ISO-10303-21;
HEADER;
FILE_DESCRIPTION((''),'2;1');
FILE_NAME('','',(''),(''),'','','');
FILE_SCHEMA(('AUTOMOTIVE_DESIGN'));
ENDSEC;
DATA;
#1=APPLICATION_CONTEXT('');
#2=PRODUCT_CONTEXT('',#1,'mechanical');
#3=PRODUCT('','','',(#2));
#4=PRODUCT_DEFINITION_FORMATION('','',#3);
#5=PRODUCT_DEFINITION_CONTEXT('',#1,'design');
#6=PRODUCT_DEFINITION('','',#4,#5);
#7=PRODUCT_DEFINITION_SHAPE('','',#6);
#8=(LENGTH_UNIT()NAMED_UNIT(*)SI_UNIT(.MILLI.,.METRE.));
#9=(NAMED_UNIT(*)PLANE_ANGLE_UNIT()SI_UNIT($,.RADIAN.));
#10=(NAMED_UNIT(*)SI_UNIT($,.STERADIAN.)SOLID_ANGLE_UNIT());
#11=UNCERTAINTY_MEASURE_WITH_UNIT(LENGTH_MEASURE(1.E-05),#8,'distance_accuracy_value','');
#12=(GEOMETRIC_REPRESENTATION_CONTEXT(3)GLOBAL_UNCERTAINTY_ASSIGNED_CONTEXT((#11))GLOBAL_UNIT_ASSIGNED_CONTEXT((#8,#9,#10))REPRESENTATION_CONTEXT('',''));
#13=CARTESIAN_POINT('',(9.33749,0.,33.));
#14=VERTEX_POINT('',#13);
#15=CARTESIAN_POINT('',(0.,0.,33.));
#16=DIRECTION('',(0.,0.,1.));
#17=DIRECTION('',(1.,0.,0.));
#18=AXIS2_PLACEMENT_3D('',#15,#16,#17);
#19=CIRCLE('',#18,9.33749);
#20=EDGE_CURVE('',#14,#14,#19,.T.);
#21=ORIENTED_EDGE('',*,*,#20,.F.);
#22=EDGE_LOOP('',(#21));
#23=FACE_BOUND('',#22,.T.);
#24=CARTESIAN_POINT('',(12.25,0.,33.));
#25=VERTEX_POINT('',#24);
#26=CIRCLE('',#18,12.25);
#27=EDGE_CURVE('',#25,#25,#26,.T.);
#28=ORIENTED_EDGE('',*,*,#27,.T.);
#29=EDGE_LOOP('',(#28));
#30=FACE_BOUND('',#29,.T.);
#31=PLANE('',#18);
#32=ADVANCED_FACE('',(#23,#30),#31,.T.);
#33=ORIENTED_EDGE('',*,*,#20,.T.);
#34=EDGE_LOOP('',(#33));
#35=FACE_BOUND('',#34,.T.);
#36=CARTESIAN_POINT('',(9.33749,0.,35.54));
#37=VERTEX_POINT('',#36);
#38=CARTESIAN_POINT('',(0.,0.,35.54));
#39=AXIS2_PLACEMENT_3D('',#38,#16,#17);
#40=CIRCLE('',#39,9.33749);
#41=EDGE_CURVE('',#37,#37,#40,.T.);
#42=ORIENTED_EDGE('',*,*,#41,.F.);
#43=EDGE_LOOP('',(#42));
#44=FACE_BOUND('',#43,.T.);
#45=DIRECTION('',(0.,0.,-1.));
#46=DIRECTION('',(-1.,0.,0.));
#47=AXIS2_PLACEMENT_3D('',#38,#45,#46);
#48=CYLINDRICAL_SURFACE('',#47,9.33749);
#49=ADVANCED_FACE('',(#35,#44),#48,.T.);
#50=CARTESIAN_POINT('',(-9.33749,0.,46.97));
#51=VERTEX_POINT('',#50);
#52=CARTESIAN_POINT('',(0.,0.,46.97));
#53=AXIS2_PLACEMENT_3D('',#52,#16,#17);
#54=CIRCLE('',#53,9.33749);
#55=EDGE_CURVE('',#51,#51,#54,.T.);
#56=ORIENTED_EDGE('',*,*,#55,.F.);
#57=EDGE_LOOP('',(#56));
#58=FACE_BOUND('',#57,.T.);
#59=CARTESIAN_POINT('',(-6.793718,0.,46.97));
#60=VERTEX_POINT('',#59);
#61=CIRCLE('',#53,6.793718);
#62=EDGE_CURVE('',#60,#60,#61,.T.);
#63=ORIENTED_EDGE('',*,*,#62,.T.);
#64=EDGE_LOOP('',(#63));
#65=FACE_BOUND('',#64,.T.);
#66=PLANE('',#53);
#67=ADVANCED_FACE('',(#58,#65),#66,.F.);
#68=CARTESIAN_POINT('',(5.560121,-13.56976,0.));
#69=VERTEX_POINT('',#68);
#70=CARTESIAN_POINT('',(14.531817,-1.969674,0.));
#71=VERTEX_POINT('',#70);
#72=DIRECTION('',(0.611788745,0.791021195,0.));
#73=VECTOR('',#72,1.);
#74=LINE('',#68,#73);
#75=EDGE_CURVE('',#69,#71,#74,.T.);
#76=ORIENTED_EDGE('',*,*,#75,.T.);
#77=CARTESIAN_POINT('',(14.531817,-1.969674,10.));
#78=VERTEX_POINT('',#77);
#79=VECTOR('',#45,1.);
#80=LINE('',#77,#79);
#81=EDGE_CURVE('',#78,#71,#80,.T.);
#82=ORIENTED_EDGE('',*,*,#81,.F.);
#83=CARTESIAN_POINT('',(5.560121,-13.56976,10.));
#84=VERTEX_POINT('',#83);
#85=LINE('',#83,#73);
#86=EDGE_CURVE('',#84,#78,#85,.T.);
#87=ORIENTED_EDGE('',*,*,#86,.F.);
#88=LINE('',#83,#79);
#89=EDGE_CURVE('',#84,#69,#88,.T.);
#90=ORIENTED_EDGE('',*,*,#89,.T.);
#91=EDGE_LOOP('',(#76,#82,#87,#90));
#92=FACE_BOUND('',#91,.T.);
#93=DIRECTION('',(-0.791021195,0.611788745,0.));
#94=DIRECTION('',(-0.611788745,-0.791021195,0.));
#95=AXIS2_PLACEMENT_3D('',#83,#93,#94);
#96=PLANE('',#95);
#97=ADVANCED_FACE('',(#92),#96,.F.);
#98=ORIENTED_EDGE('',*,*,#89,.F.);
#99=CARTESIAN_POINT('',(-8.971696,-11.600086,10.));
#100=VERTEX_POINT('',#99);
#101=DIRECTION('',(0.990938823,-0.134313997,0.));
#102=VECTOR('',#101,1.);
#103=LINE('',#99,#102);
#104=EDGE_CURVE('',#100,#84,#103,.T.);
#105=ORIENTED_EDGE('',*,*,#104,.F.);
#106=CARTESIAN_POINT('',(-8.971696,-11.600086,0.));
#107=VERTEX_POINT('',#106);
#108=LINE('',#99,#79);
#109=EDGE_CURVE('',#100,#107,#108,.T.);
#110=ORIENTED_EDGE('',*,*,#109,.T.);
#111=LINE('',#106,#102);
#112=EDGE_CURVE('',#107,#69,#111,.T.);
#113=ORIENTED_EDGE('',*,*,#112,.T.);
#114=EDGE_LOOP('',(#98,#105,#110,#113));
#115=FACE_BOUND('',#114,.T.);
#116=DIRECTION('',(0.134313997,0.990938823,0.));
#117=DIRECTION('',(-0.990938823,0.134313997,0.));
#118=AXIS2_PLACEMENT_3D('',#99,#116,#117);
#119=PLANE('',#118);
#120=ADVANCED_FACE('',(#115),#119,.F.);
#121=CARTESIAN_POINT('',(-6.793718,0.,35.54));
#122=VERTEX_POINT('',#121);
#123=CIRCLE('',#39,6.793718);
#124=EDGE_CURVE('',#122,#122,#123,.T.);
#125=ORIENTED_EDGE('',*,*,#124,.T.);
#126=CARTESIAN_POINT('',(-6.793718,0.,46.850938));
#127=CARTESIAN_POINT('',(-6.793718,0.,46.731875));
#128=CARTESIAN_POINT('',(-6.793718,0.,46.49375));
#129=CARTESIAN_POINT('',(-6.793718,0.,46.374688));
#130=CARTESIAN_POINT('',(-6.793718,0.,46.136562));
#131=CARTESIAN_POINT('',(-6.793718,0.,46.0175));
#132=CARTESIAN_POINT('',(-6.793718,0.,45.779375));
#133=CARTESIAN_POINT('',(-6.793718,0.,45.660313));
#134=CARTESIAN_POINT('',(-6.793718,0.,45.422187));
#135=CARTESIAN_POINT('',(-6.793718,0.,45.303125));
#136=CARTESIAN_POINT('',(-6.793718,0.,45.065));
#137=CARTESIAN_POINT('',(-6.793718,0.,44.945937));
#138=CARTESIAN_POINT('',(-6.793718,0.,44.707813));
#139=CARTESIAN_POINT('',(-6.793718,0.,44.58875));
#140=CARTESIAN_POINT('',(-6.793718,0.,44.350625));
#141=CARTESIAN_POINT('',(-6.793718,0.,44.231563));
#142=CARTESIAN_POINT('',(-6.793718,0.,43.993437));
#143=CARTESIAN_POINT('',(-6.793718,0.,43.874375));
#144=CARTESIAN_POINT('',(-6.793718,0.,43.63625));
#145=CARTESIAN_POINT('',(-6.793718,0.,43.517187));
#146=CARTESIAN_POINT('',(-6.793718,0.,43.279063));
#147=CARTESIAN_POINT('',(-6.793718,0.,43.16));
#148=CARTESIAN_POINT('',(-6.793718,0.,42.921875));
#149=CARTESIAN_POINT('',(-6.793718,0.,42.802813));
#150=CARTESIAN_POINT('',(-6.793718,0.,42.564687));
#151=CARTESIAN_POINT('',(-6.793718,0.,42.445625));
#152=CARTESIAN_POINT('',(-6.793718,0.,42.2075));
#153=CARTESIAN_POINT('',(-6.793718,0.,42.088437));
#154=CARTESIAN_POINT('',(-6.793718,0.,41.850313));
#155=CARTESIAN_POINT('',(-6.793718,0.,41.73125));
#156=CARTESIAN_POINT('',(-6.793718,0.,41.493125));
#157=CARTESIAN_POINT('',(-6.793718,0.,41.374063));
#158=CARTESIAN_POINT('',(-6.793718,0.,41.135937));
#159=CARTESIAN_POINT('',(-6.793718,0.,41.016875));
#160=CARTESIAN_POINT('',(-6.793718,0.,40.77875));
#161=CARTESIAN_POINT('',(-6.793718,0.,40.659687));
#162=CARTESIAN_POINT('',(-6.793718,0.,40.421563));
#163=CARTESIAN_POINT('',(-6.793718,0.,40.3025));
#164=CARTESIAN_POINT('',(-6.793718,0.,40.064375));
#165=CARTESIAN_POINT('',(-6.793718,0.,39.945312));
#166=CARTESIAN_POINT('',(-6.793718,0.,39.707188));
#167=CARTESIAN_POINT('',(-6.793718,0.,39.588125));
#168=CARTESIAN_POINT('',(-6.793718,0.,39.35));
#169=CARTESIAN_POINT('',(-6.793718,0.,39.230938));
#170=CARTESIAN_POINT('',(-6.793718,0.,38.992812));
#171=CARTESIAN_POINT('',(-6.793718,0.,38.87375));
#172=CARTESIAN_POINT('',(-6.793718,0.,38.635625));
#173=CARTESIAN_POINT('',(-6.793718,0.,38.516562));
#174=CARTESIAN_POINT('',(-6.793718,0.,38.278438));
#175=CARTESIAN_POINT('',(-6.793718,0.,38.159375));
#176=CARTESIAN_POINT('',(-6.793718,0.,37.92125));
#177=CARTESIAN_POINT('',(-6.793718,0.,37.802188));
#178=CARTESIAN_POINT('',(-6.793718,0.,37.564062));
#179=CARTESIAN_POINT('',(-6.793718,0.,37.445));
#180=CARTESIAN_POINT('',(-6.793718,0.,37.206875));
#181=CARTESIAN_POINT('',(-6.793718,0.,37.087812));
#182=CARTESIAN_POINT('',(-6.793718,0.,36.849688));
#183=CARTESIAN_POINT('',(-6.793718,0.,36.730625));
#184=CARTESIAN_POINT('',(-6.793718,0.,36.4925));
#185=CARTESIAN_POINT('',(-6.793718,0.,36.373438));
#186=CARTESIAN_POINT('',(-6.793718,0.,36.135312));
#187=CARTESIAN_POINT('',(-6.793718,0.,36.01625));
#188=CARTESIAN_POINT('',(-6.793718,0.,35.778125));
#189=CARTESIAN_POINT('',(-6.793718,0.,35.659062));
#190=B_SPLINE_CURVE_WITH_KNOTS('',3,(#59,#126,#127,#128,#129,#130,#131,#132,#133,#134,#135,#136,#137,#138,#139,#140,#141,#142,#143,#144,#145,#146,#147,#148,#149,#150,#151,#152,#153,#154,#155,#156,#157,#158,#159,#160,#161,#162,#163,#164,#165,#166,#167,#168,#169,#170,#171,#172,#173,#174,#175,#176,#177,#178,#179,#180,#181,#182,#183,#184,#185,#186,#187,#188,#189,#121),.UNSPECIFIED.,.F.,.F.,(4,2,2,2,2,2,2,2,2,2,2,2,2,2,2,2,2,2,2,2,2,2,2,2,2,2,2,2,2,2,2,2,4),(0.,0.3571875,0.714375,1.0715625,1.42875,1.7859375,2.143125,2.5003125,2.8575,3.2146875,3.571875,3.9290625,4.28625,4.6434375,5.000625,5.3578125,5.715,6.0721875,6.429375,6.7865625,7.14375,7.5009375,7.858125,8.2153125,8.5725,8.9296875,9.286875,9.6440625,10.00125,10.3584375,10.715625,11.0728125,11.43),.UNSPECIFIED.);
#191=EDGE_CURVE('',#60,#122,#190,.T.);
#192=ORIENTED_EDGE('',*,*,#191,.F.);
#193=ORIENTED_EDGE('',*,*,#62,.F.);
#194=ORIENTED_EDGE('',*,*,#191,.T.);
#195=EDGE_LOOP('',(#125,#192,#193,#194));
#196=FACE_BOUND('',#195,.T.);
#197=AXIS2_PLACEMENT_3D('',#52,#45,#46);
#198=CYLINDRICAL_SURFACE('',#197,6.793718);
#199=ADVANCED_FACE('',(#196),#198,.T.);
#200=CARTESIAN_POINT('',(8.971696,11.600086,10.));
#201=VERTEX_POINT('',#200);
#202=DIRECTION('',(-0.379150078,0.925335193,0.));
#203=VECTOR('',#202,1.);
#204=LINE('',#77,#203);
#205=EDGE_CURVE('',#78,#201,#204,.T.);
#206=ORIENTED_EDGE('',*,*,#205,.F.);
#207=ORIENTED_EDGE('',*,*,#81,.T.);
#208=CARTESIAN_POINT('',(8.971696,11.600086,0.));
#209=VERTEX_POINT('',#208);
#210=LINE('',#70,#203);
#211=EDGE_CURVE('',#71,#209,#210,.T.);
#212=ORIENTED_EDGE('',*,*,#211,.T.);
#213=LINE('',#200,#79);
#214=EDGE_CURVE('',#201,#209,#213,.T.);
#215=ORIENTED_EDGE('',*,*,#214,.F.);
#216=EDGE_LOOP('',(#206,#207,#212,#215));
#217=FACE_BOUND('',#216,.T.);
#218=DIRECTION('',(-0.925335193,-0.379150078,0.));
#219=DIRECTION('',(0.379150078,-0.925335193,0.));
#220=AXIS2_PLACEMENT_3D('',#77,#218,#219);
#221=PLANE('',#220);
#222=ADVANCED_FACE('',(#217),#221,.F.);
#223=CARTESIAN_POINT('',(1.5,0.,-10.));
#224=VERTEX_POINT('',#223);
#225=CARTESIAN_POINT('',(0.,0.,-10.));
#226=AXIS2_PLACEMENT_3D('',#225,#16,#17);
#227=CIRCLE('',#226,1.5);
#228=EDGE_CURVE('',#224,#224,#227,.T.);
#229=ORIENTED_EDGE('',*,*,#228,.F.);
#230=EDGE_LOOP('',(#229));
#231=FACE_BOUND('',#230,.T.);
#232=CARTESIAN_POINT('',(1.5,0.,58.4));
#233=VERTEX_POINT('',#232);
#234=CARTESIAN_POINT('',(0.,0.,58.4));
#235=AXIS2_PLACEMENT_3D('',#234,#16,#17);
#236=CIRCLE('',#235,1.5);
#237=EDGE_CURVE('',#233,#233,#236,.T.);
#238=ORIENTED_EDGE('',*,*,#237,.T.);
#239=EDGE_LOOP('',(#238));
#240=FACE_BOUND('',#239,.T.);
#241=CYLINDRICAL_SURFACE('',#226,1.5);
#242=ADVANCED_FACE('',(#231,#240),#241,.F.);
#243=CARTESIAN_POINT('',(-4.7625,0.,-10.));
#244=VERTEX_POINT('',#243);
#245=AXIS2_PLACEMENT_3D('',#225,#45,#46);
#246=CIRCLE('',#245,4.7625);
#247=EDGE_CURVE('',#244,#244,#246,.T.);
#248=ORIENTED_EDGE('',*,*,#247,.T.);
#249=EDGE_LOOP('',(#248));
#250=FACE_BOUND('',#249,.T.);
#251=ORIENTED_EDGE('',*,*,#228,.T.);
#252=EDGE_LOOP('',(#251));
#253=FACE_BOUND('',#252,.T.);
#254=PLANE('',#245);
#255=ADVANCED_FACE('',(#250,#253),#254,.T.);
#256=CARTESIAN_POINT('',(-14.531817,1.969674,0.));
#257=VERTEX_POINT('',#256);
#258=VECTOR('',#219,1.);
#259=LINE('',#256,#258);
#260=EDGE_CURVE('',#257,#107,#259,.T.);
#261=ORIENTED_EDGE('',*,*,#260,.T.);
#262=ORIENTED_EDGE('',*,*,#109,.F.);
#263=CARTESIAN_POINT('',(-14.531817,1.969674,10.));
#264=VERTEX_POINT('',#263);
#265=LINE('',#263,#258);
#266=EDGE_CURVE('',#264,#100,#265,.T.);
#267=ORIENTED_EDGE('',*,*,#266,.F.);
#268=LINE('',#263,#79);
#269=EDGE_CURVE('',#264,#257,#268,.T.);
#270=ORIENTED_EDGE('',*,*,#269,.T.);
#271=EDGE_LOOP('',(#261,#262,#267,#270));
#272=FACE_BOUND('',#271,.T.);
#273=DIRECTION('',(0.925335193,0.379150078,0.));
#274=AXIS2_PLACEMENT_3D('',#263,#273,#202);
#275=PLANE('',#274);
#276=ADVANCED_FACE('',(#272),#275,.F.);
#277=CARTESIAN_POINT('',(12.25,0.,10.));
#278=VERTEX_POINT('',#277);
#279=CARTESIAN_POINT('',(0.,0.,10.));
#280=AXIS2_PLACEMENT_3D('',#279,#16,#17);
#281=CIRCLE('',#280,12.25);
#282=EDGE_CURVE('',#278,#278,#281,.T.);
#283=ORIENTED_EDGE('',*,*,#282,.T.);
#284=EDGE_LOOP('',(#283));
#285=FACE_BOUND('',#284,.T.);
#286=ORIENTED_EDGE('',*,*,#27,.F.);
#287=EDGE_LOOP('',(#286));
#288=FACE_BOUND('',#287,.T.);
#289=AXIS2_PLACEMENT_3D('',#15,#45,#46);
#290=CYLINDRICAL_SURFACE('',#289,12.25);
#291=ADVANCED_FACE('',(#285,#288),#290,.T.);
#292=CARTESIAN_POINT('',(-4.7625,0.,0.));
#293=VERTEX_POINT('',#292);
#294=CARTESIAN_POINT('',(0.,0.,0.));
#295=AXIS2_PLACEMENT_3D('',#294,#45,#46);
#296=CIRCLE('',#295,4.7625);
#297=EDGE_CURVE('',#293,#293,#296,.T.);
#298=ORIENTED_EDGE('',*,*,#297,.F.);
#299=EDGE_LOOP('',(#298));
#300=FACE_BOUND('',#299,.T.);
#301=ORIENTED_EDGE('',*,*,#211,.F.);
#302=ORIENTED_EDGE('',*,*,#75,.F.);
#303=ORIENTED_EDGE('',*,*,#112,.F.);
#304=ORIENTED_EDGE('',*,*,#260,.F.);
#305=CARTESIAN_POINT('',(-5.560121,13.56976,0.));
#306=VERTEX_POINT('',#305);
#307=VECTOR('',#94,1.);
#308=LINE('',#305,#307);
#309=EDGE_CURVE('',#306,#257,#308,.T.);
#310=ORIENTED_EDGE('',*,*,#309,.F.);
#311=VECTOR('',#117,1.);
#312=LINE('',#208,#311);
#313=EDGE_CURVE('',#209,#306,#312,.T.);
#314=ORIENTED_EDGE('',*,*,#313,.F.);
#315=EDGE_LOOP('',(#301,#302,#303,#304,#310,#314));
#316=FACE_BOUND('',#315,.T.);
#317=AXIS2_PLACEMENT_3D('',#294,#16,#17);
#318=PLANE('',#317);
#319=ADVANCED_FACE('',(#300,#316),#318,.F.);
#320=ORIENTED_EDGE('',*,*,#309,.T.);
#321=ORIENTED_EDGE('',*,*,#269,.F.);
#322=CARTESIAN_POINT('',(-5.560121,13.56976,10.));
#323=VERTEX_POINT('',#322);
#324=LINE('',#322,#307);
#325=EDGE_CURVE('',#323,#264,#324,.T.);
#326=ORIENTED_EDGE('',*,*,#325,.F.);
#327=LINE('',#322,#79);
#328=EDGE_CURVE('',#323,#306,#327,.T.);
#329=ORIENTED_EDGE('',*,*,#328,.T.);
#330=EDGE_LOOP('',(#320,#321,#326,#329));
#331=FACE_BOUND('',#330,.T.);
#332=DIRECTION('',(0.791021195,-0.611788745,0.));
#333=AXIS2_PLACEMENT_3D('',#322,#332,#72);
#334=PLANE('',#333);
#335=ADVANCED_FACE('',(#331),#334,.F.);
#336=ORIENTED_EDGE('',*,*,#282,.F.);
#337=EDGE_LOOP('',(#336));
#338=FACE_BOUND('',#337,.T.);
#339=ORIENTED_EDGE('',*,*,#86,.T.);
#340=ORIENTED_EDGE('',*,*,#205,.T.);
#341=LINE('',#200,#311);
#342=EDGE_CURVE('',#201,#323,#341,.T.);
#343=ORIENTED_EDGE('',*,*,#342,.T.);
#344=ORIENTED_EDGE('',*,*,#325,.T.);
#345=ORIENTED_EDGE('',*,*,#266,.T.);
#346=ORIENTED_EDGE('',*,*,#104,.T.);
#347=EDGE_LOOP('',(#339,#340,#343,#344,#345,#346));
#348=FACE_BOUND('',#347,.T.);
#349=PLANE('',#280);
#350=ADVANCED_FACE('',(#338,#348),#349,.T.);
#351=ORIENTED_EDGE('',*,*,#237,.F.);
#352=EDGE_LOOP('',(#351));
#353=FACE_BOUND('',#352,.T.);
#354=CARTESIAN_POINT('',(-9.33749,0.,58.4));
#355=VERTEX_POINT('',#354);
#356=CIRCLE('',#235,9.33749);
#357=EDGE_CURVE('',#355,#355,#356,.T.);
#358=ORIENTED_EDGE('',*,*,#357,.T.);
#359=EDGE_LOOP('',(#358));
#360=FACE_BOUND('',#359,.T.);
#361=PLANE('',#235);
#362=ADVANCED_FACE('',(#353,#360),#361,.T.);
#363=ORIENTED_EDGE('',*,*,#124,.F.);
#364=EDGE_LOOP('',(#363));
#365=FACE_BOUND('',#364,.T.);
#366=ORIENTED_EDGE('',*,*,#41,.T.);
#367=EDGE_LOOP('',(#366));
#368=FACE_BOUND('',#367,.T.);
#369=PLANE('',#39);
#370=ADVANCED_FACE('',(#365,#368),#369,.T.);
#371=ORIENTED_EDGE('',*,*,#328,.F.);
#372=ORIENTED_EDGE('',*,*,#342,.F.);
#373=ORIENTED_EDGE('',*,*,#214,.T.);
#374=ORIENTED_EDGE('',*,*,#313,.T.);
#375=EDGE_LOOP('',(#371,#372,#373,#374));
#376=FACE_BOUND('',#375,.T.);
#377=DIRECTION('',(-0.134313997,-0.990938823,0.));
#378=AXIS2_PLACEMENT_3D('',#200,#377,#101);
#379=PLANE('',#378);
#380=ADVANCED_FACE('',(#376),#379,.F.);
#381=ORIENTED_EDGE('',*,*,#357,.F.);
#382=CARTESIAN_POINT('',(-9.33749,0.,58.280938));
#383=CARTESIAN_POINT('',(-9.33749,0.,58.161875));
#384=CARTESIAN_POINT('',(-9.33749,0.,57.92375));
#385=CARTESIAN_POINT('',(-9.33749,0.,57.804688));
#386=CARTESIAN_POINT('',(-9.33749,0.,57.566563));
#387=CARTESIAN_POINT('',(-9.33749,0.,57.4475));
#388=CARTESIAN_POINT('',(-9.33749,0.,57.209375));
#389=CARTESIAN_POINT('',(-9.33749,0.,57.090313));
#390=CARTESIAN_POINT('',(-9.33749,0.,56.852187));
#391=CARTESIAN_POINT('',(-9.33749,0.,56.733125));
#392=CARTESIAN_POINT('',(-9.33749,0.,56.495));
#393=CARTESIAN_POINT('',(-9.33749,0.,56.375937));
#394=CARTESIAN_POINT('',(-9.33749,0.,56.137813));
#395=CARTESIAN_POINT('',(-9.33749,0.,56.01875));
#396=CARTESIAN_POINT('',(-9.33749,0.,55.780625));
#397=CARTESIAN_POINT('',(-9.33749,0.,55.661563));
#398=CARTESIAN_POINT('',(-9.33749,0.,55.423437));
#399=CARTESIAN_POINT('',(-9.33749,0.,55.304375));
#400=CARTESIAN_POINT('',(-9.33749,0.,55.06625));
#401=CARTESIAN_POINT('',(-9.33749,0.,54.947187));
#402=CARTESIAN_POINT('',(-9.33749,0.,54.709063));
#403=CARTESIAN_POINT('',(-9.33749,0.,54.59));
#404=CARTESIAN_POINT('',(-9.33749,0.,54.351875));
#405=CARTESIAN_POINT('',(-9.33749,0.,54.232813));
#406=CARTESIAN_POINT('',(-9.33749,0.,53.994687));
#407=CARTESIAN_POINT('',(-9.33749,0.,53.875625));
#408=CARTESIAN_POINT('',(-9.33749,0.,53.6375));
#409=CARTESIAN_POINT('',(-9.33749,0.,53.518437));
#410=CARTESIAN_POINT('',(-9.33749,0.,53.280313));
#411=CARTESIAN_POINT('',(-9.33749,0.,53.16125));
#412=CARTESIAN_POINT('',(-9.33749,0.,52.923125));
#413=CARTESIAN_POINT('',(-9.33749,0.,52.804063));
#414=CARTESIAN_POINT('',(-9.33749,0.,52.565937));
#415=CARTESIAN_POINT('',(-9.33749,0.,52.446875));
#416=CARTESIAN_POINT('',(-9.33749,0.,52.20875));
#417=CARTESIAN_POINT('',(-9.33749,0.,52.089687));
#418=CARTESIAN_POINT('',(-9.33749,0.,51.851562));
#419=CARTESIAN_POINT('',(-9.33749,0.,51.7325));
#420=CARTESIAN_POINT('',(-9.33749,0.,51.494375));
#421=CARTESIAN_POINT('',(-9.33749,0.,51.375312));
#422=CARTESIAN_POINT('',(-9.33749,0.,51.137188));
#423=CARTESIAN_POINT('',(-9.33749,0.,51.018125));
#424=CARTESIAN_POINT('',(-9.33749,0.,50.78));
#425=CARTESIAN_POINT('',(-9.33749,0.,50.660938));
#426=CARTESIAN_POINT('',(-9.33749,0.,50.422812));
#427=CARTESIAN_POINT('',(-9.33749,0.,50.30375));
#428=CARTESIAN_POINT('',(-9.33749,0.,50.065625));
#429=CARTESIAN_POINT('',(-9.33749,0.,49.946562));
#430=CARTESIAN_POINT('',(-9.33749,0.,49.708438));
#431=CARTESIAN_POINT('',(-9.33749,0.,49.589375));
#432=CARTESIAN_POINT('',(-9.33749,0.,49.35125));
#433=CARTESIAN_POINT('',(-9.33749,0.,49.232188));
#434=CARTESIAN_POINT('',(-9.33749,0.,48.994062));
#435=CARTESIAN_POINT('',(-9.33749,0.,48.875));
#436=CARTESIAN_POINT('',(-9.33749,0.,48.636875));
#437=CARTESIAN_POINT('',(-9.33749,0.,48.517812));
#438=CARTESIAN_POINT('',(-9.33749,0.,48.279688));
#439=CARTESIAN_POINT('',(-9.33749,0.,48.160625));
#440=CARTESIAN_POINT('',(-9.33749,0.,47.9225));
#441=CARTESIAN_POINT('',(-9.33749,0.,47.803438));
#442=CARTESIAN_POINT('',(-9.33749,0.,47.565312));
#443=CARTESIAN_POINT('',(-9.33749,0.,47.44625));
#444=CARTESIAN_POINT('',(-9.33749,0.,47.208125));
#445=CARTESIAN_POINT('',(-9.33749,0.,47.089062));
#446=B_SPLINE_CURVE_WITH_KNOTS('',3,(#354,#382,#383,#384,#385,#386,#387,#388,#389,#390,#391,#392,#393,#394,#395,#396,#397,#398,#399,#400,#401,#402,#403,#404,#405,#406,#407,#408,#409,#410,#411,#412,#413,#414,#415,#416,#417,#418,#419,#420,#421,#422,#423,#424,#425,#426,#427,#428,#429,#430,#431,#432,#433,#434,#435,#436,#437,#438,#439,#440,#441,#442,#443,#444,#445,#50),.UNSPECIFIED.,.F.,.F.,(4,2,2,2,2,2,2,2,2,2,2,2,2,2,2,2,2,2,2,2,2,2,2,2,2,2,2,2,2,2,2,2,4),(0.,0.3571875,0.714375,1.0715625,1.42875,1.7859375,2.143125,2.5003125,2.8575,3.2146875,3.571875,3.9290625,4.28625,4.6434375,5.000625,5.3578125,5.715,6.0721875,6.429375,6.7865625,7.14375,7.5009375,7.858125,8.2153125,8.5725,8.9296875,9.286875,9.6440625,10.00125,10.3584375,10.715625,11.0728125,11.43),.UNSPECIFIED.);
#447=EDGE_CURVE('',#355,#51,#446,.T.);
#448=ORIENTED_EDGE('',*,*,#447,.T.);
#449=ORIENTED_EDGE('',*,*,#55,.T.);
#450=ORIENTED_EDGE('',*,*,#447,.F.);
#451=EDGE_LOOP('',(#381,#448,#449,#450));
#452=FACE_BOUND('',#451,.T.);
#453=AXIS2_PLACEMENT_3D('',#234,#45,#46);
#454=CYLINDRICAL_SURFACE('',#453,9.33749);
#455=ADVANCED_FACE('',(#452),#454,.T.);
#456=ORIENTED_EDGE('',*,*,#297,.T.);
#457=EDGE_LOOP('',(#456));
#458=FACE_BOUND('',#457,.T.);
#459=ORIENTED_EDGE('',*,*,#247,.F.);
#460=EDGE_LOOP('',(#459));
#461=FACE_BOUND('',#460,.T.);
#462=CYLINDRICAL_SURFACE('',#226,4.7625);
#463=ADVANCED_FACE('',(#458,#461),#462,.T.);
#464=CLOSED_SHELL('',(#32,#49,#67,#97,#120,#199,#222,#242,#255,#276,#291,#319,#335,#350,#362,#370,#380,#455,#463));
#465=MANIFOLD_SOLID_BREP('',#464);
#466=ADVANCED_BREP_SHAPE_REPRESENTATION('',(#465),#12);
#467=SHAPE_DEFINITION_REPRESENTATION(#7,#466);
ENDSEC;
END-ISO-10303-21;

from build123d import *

# Parameters (mm, degrees)
BOSS_EXTRUDE1_DEPTH = 10
SKETCH2_R           = 12.25
BOSS_EXTRUDE2_DEPTH = 23
SKETCH5_R           = 4.7625
BOSS_EXTRUDE3_DEPTH = 10
SKETCH6_R           = 9.337490473
BOSS_EXTRUDE4_DEPTH = 2.54
SKETCH7_R           = 6.793718317
BOSS_EXTRUDE5_DEPTH = 11.43
SKETCH8_R           = 9.337490473
BOSS_EXTRUDE6_DEPTH = 11.43
SKETCH9_R           = 1.5
CUT_EXTRUDE1_DEPTH  = 72.231117539


with BuildPart() as part:
    # Sketch1 → Boss-Extrude1 (new body)
    with BuildSketch(Plane.XY):
        Polygon((14.531817418, -1.969674048), (8.971696472, 11.600086024), (-5.560120947, 13.569760071), (-14.531817418, 1.969674048), (-8.971696472, -11.600086024), (5.560120947, -13.569760071), align=None)
    extrude(amount=BOSS_EXTRUDE1_DEPTH)

    # Sketch2 → Boss-Extrude2 (add)
    with BuildSketch(Plane.XY.offset(10)):
        Circle(SKETCH2_R)
    extrude(amount=BOSS_EXTRUDE2_DEPTH)

    # Sketch5 → Boss-Extrude3 (add)
    with BuildSketch(Plane(origin=(0, 0, 0), x_dir=(-1, 0, 0), z_dir=(0, 0, -1))):
        Circle(SKETCH5_R)
    extrude(amount=BOSS_EXTRUDE3_DEPTH)

    # Sketch6 → Boss-Extrude4 (add)
    with BuildSketch(Plane.XY.offset(33)):
        Circle(SKETCH6_R)
    extrude(amount=BOSS_EXTRUDE4_DEPTH)

    # Sketch7 → Boss-Extrude5 (add)
    with BuildSketch(Plane.XY.offset(35.54)):
        with Locations(Location((0, 0, 0), (0, 0, 180))):
            Circle(SKETCH7_R)
    extrude(amount=BOSS_EXTRUDE5_DEPTH)

    # Sketch8 → Boss-Extrude6 (add)
    with BuildSketch(Plane.XY.offset(46.97)):
        Circle(SKETCH8_R)
    extrude(amount=BOSS_EXTRUDE6_DEPTH)

    # Sketch9 → Cut-Extrude1 (cut, through all)
    with BuildSketch(Plane.XY.offset(58.4)):
        Circle(SKETCH9_R)
    extrude(amount=-CUT_EXTRUDE1_DEPTH, mode=Mode.SUBTRACT)


solid = part.part
